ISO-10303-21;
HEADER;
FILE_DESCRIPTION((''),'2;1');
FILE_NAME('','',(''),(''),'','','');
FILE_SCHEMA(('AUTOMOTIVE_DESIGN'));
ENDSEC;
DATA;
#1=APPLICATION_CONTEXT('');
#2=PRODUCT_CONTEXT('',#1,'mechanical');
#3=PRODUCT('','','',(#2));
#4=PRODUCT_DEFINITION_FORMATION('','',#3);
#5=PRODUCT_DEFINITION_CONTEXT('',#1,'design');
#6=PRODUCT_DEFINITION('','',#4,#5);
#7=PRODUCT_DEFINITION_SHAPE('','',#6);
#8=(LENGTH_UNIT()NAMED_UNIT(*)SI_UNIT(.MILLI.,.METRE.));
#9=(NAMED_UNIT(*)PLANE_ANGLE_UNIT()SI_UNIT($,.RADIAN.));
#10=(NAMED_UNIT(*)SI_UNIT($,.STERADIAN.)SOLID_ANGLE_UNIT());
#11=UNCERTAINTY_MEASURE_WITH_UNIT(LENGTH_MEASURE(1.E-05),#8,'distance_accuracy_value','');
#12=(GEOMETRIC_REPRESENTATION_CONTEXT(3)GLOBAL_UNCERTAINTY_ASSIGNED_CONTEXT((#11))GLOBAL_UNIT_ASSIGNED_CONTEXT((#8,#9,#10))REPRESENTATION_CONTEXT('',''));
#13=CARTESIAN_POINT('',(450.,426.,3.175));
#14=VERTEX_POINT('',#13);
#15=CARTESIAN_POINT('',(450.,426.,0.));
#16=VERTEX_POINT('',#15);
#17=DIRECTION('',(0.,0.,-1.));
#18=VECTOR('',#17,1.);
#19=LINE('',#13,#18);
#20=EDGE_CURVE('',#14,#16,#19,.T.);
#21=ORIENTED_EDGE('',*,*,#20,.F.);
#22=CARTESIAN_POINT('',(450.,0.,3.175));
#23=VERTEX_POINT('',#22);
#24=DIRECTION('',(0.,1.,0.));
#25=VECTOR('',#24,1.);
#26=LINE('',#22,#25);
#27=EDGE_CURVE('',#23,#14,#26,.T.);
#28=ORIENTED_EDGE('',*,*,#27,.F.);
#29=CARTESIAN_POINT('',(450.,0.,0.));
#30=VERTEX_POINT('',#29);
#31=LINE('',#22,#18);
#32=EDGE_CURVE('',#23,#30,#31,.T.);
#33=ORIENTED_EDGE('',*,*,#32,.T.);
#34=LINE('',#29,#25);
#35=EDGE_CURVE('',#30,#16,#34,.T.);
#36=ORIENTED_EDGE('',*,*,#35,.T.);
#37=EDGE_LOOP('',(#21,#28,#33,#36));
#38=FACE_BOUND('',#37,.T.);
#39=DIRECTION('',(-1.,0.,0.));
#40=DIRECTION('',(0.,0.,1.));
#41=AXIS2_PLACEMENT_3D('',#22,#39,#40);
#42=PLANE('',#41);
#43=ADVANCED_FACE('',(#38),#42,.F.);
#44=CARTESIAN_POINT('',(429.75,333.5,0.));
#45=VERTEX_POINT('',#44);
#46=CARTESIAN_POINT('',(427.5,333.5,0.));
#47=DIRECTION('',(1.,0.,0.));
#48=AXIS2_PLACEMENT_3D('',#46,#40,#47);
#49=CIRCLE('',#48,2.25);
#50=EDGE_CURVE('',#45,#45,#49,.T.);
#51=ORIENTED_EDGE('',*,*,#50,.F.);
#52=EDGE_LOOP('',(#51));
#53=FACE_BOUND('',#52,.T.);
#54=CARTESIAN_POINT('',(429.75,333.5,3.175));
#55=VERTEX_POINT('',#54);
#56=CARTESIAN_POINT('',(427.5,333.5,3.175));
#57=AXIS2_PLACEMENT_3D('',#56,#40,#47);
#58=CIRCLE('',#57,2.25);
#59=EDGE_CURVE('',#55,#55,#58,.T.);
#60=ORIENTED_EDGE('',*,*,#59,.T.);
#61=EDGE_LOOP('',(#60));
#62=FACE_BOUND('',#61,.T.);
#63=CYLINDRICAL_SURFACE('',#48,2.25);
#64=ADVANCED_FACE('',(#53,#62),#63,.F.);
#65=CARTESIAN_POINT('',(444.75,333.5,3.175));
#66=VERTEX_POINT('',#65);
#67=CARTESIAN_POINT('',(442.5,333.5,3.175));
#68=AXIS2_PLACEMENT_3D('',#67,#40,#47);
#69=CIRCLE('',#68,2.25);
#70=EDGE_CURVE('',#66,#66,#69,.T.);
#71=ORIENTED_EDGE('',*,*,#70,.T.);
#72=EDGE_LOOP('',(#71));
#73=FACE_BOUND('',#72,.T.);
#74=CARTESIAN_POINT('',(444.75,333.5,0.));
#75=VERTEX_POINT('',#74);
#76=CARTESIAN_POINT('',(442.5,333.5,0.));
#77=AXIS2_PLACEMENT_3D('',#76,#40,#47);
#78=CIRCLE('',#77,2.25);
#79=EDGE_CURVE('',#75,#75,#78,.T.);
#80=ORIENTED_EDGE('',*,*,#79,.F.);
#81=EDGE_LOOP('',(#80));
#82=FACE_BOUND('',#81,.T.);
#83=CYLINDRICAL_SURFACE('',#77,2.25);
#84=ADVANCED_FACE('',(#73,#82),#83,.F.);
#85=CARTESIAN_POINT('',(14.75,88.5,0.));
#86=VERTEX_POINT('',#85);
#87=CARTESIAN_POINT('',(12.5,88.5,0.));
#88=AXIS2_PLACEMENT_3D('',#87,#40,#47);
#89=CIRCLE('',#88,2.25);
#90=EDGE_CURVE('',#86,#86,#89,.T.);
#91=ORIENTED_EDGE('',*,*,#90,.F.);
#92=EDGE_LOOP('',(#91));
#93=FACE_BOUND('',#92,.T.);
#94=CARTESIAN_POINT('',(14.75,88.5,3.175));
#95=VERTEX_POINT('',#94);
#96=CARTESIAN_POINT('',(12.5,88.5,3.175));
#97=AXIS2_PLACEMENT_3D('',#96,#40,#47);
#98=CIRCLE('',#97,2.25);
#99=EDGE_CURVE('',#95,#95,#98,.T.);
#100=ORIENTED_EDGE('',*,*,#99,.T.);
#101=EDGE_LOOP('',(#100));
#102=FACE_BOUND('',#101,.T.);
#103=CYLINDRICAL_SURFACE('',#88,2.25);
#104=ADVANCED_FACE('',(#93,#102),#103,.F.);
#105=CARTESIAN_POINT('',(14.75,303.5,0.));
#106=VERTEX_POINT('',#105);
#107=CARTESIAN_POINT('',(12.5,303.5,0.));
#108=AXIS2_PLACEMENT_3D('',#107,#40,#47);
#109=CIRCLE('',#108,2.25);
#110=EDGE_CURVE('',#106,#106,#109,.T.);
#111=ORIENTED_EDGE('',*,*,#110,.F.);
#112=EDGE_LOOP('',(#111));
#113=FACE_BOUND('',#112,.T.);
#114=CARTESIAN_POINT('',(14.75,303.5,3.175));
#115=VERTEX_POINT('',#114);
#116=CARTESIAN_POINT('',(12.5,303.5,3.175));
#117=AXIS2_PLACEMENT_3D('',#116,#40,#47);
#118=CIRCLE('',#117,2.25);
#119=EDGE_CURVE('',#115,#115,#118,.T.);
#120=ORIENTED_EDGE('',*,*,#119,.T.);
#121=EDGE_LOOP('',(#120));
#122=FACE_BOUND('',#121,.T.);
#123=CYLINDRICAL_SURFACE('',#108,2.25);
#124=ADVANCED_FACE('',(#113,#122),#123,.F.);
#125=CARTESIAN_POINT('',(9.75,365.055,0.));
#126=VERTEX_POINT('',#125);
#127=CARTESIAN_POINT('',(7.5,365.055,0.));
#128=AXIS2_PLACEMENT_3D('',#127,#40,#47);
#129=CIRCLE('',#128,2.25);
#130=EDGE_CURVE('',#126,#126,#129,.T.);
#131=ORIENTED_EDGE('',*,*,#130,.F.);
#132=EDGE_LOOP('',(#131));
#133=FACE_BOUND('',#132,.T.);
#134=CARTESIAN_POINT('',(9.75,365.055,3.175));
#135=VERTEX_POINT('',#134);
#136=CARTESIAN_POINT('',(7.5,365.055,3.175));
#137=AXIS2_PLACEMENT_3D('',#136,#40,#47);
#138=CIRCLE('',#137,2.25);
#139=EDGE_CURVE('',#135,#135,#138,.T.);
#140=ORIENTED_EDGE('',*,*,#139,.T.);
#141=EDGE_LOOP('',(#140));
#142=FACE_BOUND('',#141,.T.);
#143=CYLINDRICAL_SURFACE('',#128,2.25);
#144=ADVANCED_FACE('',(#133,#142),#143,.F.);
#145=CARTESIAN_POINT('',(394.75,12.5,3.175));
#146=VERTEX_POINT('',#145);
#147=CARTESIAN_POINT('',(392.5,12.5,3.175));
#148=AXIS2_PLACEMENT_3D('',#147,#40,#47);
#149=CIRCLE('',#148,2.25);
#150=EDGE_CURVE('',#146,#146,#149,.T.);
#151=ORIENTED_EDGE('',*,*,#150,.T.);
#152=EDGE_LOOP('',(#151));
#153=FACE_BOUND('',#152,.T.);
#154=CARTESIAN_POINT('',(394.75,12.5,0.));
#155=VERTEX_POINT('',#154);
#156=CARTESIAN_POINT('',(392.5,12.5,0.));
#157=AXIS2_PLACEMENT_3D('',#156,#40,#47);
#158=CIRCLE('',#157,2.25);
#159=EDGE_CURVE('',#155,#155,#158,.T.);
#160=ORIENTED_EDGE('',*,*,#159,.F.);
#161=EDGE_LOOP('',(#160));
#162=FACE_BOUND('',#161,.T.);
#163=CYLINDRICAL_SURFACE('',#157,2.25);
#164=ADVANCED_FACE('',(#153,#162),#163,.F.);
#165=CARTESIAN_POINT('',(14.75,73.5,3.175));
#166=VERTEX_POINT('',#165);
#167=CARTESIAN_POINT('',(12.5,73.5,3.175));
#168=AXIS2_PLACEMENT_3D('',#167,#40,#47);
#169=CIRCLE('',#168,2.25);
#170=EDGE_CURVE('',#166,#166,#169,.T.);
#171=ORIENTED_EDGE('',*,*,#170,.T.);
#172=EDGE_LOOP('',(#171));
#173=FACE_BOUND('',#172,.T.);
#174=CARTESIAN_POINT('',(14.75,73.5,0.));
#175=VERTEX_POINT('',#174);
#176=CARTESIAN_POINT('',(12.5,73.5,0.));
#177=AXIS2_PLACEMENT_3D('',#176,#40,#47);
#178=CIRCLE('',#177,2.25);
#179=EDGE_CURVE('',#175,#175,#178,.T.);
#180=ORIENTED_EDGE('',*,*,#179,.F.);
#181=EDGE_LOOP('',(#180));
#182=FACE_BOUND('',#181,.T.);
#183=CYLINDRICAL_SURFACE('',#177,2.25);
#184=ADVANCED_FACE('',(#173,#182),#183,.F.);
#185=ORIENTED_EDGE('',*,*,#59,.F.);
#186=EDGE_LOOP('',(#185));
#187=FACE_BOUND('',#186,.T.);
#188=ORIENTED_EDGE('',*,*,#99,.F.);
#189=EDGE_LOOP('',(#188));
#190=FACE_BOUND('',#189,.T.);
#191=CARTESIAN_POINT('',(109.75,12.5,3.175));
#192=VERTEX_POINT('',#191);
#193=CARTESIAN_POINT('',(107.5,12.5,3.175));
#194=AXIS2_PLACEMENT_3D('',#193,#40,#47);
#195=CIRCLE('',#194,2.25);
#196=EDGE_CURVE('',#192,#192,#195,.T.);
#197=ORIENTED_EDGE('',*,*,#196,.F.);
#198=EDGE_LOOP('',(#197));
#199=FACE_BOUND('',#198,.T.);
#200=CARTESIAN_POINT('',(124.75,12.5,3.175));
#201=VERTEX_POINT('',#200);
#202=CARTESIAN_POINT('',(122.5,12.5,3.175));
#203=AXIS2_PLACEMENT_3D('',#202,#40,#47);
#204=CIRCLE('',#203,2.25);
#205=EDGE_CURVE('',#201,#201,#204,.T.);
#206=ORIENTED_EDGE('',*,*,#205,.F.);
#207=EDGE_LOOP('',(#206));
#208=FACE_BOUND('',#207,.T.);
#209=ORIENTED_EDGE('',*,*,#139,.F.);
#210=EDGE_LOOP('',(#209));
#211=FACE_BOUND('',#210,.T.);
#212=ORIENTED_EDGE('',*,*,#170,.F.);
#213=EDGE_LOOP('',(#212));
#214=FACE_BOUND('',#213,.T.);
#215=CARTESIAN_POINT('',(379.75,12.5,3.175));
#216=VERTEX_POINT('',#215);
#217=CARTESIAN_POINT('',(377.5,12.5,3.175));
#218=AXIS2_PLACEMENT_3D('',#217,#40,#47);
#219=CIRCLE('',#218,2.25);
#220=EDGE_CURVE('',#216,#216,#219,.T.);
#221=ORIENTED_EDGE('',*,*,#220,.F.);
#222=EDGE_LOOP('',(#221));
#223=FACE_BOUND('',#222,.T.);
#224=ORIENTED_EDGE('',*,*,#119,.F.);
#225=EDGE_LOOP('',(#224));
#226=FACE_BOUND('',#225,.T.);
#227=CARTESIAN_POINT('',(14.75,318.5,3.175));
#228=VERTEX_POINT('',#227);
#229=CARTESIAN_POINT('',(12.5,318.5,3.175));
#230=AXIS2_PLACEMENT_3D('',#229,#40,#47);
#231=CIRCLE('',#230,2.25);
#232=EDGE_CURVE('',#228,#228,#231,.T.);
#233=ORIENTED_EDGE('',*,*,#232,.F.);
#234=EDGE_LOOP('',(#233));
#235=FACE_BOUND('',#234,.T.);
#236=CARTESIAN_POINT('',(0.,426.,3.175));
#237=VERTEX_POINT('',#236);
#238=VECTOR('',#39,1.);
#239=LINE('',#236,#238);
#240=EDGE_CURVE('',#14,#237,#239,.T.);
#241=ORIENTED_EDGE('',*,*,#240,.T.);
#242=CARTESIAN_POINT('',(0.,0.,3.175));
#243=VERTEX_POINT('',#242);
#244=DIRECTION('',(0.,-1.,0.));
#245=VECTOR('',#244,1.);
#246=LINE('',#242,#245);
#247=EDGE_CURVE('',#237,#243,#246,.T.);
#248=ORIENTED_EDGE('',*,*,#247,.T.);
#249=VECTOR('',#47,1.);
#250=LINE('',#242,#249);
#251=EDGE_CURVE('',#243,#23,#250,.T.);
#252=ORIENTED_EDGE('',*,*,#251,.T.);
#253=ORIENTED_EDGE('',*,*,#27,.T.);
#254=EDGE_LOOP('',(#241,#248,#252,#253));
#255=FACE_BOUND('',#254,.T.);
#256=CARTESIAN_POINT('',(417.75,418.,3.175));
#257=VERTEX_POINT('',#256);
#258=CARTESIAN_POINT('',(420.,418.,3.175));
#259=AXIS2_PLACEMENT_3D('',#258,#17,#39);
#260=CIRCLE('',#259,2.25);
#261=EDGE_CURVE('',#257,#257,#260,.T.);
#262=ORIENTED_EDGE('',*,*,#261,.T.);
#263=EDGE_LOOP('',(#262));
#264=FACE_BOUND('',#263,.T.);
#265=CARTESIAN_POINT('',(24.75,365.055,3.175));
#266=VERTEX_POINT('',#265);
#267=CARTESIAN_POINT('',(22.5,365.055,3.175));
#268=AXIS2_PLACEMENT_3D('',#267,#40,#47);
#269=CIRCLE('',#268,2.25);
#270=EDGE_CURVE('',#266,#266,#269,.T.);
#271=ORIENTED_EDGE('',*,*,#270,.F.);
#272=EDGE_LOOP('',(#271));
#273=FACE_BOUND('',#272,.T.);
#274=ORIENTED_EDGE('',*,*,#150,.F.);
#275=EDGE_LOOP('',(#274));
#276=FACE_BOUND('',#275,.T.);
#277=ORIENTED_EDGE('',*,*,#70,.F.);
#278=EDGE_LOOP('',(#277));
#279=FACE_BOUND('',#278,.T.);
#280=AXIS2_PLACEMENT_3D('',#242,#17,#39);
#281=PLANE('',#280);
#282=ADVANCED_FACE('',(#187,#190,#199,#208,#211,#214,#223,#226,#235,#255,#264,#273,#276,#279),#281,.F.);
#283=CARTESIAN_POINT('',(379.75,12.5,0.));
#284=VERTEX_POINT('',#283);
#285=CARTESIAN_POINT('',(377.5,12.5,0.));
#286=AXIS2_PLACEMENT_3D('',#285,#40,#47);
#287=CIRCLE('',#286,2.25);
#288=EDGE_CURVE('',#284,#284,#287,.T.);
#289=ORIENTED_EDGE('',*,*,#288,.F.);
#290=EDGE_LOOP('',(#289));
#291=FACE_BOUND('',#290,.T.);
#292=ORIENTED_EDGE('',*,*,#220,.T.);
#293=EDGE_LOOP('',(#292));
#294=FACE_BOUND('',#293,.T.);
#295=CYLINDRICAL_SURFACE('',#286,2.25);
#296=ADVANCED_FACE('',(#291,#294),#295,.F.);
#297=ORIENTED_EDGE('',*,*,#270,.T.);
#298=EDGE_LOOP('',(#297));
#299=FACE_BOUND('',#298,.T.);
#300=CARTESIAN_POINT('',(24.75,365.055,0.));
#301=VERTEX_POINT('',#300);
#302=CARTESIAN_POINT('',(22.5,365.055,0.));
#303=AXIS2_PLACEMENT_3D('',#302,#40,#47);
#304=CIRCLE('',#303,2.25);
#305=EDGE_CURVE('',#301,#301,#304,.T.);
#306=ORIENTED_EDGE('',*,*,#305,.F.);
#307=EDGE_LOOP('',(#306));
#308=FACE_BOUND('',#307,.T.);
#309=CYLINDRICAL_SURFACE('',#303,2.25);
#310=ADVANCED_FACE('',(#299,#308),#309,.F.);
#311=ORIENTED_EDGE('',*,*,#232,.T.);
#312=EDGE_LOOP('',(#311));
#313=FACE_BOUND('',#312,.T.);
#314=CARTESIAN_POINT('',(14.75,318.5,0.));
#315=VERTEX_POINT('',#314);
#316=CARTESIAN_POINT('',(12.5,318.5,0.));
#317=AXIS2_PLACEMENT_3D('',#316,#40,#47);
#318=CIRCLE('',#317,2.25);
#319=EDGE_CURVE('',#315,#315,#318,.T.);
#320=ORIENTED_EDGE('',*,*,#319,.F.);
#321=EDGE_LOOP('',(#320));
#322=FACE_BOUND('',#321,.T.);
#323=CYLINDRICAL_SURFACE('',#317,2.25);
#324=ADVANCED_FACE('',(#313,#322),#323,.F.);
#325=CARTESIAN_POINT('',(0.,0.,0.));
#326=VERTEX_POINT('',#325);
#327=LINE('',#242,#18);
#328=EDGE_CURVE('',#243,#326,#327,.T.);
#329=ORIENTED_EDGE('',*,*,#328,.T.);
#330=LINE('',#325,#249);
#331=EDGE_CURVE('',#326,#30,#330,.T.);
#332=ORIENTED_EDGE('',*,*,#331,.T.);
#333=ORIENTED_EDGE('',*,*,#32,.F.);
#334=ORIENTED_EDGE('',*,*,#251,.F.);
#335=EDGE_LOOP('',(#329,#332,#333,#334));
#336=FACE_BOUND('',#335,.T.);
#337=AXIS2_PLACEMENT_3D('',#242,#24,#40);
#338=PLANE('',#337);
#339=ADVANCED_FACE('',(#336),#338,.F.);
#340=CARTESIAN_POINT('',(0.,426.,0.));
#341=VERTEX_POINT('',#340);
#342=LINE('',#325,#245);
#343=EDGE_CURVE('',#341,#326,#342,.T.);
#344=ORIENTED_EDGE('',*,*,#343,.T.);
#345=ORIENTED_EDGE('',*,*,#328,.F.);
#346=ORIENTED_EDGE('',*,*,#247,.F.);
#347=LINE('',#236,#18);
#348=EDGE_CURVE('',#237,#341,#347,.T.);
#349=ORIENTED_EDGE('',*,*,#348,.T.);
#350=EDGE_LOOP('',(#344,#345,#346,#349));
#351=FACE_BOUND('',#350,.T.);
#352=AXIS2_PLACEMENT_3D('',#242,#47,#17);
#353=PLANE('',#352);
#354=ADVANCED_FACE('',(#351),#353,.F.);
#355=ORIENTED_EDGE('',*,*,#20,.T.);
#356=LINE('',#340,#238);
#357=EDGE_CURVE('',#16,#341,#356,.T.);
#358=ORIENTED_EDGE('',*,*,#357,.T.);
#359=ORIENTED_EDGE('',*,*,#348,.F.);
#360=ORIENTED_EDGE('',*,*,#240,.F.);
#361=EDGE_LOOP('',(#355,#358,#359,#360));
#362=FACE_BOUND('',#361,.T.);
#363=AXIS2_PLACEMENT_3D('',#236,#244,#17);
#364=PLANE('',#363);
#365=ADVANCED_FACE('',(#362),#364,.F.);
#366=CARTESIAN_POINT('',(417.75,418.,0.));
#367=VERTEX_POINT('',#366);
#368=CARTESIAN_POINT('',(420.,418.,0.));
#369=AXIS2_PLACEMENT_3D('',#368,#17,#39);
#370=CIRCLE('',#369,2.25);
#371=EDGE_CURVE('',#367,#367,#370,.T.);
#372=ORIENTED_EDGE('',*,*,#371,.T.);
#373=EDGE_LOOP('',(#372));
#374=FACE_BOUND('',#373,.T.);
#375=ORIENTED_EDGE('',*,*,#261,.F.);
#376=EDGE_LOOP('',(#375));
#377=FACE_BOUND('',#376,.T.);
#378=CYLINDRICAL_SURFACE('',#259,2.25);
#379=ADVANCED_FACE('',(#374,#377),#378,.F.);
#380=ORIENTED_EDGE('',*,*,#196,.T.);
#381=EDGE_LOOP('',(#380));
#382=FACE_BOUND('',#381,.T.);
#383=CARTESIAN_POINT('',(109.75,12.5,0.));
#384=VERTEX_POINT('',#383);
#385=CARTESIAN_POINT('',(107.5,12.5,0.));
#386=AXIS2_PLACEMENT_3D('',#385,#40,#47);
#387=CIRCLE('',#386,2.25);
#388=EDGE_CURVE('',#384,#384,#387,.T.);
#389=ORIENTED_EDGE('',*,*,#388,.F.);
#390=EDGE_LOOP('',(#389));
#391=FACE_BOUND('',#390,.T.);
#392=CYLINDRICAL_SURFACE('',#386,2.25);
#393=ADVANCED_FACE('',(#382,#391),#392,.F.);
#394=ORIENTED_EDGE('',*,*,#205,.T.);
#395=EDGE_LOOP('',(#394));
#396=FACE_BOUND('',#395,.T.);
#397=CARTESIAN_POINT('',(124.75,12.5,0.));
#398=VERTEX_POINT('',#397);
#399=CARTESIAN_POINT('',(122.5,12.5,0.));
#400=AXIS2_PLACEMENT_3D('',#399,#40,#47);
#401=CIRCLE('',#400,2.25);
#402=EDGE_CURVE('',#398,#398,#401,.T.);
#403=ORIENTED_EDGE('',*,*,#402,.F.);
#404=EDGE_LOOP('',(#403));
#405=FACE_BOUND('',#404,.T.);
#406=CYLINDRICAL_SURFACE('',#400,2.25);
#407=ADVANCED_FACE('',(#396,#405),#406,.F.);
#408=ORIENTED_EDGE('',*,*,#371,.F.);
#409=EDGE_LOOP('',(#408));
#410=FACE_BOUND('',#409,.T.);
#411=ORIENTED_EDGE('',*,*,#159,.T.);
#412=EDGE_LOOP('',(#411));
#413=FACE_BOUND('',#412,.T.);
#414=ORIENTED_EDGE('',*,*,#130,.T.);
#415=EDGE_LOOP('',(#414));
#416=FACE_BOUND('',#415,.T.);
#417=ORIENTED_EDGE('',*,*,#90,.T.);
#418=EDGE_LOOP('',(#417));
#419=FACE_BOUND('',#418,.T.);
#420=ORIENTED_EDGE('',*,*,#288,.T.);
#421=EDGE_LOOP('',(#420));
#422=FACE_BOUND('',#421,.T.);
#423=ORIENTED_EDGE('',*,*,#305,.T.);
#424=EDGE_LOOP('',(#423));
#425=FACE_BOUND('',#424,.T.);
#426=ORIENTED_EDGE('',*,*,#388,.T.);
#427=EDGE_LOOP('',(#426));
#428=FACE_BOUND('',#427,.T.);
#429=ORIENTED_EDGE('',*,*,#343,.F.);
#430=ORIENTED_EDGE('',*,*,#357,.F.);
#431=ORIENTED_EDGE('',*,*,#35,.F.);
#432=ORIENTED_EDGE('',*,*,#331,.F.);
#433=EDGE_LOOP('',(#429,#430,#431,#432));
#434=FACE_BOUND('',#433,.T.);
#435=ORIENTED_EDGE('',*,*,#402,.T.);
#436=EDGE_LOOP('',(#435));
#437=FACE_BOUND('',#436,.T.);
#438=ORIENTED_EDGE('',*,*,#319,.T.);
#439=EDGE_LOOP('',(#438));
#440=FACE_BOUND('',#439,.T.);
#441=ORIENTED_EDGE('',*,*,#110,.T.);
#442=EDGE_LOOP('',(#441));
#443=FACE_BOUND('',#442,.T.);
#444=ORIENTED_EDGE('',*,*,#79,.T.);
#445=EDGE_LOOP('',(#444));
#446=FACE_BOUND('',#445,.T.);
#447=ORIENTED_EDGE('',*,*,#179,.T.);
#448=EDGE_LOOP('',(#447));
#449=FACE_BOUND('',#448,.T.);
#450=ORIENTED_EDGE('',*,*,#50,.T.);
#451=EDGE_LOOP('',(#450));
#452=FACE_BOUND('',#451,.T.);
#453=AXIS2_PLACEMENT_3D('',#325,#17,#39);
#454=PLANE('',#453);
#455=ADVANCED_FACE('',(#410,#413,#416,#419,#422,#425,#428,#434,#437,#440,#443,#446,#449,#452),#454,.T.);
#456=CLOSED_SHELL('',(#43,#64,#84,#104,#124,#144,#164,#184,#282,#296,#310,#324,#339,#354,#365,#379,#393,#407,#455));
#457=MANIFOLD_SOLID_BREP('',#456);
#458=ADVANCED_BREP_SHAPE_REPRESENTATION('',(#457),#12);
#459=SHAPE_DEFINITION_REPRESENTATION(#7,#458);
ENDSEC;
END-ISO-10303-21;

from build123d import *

# Parameters (mm, degrees)
SKETCH1_W           = 450
SKETCH1_H           = 426
BOSS_EXTRUDE1_DEPTH = 3.175
SKETCH8_R           = 2.25
CUT_EXTRUDE7_DEPTH  = 620.666104144
SKETCH2_R           = 2.25
CUT_EXTRUDE1_DEPTH  = 620.666104144
SKETCH3_R           = 2.25
CUT_EXTRUDE2_DEPTH  = 620.666104144
SKETCH5_R           = 2.25
CUT_EXTRUDE4_DEPTH  = 620.666104144
SKETCH7_R           = 2.25
CUT_EXTRUDE6_DEPTH  = 620.666104144


with BuildPart() as part:
    # Sketch1 → Boss-Extrude1 (new body)
    with BuildSketch(Plane.XY):
        with Locations((225, 213)):
            Rectangle(SKETCH1_W, SKETCH1_H)
    extrude(amount=BOSS_EXTRUDE1_DEPTH)

    # Sketch8 → Cut-Extrude7 (cut, through all)
    with BuildSketch(Plane(origin=(0, 0, 0), x_dir=(-1, 0, 0), z_dir=(0, 0, -1))):
        with Locations((-420, 418)):
            Circle(SKETCH8_R)
    extrude(amount=-CUT_EXTRUDE7_DEPTH, mode=Mode.SUBTRACT)

    # Sketch2 → Cut-Extrude1 (cut, through all)
    with BuildSketch(Plane.XY.offset(3.175)):
        with Locations((427.5, 333.5)):
            Circle(SKETCH2_R)
        with Locations((442.5, 333.5)):
            Circle(SKETCH2_R)
    extrude(amount=-CUT_EXTRUDE1_DEPTH, mode=Mode.SUBTRACT)

    # Sketch3 → Cut-Extrude2 (cut, through all)
    with BuildSketch(Plane.XY.offset(3.175)):
        with Locations((7.5, 365.055)):
            Circle(SKETCH3_R)
        with Locations((22.5, 365.055)):
            Circle(SKETCH3_R)
    extrude(amount=-CUT_EXTRUDE2_DEPTH, mode=Mode.SUBTRACT)

    # Sketch5 → Cut-Extrude4 (cut, through all)
    with BuildSketch(Plane.XY.offset(3.175)):
        with Locations((377.5, 12.5)):
            Circle(SKETCH5_R)
        with Locations((122.5, 12.5)):
            Circle(SKETCH5_R)
        with Locations((107.5, 12.5)):
            Circle(SKETCH5_R)
        with Locations((392.5, 12.5)):
            Circle(SKETCH5_R)
    extrude(amount=-CUT_EXTRUDE4_DEPTH, mode=Mode.SUBTRACT)

    # Sketch7 → Cut-Extrude6 (cut, through all)
    with BuildSketch(Plane.XY.offset(3.175)):
        with Locations((12.5, 303.5)):
            Circle(SKETCH7_R)
        with Locations((12.5, 318.5)):
            Circle(SKETCH7_R)
        with Locations((12.5, 73.5)):
            Circle(SKETCH7_R)
        with Locations((12.5, 88.5)):
            Circle(SKETCH7_R)
    extrude(amount=-CUT_EXTRUDE6_DEPTH, mode=Mode.SUBTRACT)


solid = part.part
